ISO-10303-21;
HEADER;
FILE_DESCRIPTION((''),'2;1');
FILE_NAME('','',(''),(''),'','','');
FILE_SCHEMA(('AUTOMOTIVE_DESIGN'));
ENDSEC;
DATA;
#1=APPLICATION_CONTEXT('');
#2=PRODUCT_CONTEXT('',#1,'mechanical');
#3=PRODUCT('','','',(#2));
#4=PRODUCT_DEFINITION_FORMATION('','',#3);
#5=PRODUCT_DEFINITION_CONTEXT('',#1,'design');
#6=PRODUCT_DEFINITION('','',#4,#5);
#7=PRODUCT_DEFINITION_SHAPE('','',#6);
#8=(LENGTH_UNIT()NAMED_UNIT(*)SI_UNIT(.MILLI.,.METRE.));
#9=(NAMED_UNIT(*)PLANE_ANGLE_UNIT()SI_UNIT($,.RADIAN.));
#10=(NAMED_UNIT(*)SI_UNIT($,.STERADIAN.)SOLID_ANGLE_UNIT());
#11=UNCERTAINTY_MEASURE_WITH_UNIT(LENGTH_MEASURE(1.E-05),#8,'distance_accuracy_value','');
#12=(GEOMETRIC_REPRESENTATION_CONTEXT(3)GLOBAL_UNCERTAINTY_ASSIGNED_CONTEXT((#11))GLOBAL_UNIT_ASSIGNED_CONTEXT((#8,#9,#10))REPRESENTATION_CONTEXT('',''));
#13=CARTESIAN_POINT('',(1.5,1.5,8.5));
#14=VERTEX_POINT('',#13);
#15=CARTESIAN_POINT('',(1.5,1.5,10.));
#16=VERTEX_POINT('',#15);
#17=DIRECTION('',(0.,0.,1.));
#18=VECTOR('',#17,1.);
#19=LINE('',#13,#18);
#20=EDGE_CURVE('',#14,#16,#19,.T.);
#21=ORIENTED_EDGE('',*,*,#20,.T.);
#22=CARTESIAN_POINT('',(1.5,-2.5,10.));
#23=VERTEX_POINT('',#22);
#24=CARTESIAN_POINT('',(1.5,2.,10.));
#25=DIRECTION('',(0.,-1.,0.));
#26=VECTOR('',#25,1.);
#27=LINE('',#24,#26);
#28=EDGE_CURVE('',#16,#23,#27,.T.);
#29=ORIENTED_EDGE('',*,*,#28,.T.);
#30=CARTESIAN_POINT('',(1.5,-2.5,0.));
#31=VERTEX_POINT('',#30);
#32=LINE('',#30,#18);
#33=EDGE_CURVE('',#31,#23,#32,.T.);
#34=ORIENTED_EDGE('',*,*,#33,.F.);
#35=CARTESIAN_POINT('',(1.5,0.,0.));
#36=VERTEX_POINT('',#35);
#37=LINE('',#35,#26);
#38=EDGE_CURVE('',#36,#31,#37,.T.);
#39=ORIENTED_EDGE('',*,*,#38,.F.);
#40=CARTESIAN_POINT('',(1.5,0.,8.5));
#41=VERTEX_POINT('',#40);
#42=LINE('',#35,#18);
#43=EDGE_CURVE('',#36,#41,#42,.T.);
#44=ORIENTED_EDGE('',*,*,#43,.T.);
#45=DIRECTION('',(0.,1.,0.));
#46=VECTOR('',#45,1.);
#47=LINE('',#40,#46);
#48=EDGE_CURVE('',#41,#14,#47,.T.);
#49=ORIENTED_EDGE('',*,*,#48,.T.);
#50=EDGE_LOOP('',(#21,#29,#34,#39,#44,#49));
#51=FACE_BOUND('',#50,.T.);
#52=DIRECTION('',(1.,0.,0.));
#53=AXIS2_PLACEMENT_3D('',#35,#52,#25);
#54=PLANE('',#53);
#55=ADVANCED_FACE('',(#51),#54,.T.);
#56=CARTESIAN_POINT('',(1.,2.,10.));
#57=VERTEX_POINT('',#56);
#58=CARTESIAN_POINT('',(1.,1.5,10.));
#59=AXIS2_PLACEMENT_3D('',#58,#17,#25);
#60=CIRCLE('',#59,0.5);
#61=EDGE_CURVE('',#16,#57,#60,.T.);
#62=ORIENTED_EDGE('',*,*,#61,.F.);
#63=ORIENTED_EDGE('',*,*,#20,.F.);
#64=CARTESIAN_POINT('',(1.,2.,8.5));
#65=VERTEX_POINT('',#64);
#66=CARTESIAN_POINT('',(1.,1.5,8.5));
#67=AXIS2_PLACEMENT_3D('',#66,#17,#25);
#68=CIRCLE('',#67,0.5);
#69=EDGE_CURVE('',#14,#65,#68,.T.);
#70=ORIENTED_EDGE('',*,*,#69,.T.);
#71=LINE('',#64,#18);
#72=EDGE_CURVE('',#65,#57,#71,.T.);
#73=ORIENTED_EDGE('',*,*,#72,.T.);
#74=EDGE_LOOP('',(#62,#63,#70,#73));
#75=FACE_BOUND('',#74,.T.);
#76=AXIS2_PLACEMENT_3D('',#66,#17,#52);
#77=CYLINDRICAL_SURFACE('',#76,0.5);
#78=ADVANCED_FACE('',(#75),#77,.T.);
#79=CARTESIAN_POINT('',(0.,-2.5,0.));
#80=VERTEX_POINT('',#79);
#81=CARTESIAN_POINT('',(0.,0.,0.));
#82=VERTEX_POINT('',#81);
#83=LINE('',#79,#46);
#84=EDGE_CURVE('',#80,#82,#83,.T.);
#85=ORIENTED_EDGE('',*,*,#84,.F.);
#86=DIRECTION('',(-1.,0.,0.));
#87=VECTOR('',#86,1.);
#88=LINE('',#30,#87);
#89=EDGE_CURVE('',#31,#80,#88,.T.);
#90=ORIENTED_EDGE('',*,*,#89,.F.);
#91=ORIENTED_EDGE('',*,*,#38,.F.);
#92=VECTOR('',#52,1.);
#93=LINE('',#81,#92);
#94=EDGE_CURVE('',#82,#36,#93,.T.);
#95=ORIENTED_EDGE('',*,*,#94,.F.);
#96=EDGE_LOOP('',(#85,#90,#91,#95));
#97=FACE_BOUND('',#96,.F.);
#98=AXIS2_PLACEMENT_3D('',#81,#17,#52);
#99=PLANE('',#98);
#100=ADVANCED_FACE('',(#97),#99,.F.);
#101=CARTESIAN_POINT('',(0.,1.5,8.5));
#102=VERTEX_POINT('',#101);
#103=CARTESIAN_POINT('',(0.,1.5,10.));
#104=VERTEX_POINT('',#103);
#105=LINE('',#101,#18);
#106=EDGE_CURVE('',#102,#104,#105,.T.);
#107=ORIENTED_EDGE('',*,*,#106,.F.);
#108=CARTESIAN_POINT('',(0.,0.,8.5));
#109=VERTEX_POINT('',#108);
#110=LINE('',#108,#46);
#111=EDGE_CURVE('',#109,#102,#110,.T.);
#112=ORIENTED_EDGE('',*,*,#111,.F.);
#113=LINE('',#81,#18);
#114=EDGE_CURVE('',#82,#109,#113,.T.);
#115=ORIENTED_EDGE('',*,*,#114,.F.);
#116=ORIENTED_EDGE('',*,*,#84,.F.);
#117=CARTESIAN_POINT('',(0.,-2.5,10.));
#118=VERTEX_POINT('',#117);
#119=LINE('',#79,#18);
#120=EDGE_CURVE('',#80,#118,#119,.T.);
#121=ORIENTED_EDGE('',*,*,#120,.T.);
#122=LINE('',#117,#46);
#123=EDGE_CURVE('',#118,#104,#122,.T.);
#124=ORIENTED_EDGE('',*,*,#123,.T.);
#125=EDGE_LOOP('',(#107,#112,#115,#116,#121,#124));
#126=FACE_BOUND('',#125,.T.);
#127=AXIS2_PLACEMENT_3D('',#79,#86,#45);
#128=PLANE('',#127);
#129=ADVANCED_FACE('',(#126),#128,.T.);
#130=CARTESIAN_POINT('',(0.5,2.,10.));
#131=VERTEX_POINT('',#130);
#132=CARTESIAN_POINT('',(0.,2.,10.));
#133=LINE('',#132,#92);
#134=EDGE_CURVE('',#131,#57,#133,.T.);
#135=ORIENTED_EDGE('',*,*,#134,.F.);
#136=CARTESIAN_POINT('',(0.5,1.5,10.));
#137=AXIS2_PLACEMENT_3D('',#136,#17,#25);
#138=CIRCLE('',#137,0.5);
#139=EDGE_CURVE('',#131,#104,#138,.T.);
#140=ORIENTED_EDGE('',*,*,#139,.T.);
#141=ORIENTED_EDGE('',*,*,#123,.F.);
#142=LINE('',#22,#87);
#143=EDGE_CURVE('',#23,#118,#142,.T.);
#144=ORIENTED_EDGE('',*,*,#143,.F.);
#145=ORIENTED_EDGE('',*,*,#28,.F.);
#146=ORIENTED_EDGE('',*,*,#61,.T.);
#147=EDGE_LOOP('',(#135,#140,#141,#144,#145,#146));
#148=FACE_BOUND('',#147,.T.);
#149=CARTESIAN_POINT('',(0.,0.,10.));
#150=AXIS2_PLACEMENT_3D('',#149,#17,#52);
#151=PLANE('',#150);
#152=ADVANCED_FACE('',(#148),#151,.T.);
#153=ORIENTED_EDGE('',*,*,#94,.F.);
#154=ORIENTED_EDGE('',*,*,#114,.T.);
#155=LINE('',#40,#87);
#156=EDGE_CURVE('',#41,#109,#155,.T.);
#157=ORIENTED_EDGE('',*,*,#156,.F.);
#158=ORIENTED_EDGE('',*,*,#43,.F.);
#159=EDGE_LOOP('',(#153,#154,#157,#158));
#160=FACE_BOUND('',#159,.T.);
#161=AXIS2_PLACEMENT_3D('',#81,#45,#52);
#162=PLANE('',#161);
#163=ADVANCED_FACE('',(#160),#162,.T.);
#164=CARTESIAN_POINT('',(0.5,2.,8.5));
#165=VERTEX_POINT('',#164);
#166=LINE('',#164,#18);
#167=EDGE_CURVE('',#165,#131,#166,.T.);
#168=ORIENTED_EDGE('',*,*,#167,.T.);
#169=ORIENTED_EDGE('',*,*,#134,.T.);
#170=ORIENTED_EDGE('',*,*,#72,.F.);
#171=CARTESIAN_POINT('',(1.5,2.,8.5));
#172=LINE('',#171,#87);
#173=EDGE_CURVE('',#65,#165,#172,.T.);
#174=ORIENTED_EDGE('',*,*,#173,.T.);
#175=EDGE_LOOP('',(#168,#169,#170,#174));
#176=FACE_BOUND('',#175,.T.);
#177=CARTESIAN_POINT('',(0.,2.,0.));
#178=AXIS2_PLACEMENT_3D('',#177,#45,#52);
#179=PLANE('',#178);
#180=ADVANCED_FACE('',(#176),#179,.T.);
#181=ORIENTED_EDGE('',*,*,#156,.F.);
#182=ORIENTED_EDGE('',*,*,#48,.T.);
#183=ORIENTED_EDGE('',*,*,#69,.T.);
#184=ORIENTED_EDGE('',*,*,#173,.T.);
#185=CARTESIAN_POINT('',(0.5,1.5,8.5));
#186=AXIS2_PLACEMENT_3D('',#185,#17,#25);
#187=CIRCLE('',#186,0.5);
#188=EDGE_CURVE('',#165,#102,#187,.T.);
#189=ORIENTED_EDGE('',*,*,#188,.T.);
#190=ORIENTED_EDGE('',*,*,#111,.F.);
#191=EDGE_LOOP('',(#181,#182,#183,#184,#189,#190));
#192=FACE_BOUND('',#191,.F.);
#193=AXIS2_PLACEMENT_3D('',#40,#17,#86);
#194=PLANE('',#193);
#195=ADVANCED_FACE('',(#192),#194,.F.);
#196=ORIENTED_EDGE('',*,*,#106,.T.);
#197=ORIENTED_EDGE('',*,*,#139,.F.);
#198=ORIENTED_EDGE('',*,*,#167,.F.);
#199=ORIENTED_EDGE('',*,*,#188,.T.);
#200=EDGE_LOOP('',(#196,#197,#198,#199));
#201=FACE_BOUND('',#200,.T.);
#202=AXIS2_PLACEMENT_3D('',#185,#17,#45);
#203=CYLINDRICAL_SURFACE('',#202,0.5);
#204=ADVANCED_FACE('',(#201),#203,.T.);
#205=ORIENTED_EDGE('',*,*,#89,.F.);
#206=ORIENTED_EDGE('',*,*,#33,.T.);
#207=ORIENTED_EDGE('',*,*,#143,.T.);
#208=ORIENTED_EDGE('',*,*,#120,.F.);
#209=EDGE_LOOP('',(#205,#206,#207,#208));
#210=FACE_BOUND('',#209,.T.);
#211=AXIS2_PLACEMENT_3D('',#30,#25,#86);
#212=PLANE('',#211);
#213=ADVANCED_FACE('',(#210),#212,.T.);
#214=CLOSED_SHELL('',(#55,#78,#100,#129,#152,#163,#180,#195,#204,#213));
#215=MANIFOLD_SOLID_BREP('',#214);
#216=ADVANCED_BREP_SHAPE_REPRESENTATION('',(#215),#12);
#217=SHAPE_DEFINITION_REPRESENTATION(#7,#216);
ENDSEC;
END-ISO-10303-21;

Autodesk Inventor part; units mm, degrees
ref_plane "YZ Plane" through (0, 0, 0) normal (1, 0, 0) x (0, 1, 0)
ref_plane "XZ Plane" through (0, 0, 0) normal (0, 1, 0) x (-1, 0, 0)
ref_plane "XY Plane" through (0, 0, 0) normal (0, 0, 1) x (1, 0, 0)
sketch "Sketch1" plane through (0, 0, 0) normal (0, 0, 1) x (1, 0, 0)
  line L0 (0, 0) -> (1.5, 0)
  line L1 (1.5, 0) -> (1.5, -2.5)
  line L2 (1.5, -2.5) -> (0, -2.5)
  line L3 (0, -2.5) -> (0, 0)
  dimension "d0" = 1.5
  dimension "d1" = 2.5
extrude "Extrusion1" add sketch "Sketch1" along normal blind 10
sketch "Sketch2" plane through (0, 0, 0) normal (0, 1, 0) x (1, 0, 0)
  line L0 (0, -10) -> (1.5, -10) projected
  line L1 (1.5, 0) -> (1.5, -10) projected
  line L2 (0, -10) -> (1.5, -10)
  line L3 (1.5, -10) -> (1.5, -8.5)
  line L4 (1.5, -8.5) -> (0, -8.5)
  line L5 (0, -8.5) -> (0, -10)
  point P0 (0, 0)
  dimension "d4" = 1.5
extrude "Extrusion2" add sketch "Sketch2" along normal blind 2
fillet "Fillet1" radius 0.5 1 edges at (1.5, 2, 9.25)
fillet "Fillet2" radius 0.5 1 edges at (0, 2, 9.25)
properties part number "Key"
